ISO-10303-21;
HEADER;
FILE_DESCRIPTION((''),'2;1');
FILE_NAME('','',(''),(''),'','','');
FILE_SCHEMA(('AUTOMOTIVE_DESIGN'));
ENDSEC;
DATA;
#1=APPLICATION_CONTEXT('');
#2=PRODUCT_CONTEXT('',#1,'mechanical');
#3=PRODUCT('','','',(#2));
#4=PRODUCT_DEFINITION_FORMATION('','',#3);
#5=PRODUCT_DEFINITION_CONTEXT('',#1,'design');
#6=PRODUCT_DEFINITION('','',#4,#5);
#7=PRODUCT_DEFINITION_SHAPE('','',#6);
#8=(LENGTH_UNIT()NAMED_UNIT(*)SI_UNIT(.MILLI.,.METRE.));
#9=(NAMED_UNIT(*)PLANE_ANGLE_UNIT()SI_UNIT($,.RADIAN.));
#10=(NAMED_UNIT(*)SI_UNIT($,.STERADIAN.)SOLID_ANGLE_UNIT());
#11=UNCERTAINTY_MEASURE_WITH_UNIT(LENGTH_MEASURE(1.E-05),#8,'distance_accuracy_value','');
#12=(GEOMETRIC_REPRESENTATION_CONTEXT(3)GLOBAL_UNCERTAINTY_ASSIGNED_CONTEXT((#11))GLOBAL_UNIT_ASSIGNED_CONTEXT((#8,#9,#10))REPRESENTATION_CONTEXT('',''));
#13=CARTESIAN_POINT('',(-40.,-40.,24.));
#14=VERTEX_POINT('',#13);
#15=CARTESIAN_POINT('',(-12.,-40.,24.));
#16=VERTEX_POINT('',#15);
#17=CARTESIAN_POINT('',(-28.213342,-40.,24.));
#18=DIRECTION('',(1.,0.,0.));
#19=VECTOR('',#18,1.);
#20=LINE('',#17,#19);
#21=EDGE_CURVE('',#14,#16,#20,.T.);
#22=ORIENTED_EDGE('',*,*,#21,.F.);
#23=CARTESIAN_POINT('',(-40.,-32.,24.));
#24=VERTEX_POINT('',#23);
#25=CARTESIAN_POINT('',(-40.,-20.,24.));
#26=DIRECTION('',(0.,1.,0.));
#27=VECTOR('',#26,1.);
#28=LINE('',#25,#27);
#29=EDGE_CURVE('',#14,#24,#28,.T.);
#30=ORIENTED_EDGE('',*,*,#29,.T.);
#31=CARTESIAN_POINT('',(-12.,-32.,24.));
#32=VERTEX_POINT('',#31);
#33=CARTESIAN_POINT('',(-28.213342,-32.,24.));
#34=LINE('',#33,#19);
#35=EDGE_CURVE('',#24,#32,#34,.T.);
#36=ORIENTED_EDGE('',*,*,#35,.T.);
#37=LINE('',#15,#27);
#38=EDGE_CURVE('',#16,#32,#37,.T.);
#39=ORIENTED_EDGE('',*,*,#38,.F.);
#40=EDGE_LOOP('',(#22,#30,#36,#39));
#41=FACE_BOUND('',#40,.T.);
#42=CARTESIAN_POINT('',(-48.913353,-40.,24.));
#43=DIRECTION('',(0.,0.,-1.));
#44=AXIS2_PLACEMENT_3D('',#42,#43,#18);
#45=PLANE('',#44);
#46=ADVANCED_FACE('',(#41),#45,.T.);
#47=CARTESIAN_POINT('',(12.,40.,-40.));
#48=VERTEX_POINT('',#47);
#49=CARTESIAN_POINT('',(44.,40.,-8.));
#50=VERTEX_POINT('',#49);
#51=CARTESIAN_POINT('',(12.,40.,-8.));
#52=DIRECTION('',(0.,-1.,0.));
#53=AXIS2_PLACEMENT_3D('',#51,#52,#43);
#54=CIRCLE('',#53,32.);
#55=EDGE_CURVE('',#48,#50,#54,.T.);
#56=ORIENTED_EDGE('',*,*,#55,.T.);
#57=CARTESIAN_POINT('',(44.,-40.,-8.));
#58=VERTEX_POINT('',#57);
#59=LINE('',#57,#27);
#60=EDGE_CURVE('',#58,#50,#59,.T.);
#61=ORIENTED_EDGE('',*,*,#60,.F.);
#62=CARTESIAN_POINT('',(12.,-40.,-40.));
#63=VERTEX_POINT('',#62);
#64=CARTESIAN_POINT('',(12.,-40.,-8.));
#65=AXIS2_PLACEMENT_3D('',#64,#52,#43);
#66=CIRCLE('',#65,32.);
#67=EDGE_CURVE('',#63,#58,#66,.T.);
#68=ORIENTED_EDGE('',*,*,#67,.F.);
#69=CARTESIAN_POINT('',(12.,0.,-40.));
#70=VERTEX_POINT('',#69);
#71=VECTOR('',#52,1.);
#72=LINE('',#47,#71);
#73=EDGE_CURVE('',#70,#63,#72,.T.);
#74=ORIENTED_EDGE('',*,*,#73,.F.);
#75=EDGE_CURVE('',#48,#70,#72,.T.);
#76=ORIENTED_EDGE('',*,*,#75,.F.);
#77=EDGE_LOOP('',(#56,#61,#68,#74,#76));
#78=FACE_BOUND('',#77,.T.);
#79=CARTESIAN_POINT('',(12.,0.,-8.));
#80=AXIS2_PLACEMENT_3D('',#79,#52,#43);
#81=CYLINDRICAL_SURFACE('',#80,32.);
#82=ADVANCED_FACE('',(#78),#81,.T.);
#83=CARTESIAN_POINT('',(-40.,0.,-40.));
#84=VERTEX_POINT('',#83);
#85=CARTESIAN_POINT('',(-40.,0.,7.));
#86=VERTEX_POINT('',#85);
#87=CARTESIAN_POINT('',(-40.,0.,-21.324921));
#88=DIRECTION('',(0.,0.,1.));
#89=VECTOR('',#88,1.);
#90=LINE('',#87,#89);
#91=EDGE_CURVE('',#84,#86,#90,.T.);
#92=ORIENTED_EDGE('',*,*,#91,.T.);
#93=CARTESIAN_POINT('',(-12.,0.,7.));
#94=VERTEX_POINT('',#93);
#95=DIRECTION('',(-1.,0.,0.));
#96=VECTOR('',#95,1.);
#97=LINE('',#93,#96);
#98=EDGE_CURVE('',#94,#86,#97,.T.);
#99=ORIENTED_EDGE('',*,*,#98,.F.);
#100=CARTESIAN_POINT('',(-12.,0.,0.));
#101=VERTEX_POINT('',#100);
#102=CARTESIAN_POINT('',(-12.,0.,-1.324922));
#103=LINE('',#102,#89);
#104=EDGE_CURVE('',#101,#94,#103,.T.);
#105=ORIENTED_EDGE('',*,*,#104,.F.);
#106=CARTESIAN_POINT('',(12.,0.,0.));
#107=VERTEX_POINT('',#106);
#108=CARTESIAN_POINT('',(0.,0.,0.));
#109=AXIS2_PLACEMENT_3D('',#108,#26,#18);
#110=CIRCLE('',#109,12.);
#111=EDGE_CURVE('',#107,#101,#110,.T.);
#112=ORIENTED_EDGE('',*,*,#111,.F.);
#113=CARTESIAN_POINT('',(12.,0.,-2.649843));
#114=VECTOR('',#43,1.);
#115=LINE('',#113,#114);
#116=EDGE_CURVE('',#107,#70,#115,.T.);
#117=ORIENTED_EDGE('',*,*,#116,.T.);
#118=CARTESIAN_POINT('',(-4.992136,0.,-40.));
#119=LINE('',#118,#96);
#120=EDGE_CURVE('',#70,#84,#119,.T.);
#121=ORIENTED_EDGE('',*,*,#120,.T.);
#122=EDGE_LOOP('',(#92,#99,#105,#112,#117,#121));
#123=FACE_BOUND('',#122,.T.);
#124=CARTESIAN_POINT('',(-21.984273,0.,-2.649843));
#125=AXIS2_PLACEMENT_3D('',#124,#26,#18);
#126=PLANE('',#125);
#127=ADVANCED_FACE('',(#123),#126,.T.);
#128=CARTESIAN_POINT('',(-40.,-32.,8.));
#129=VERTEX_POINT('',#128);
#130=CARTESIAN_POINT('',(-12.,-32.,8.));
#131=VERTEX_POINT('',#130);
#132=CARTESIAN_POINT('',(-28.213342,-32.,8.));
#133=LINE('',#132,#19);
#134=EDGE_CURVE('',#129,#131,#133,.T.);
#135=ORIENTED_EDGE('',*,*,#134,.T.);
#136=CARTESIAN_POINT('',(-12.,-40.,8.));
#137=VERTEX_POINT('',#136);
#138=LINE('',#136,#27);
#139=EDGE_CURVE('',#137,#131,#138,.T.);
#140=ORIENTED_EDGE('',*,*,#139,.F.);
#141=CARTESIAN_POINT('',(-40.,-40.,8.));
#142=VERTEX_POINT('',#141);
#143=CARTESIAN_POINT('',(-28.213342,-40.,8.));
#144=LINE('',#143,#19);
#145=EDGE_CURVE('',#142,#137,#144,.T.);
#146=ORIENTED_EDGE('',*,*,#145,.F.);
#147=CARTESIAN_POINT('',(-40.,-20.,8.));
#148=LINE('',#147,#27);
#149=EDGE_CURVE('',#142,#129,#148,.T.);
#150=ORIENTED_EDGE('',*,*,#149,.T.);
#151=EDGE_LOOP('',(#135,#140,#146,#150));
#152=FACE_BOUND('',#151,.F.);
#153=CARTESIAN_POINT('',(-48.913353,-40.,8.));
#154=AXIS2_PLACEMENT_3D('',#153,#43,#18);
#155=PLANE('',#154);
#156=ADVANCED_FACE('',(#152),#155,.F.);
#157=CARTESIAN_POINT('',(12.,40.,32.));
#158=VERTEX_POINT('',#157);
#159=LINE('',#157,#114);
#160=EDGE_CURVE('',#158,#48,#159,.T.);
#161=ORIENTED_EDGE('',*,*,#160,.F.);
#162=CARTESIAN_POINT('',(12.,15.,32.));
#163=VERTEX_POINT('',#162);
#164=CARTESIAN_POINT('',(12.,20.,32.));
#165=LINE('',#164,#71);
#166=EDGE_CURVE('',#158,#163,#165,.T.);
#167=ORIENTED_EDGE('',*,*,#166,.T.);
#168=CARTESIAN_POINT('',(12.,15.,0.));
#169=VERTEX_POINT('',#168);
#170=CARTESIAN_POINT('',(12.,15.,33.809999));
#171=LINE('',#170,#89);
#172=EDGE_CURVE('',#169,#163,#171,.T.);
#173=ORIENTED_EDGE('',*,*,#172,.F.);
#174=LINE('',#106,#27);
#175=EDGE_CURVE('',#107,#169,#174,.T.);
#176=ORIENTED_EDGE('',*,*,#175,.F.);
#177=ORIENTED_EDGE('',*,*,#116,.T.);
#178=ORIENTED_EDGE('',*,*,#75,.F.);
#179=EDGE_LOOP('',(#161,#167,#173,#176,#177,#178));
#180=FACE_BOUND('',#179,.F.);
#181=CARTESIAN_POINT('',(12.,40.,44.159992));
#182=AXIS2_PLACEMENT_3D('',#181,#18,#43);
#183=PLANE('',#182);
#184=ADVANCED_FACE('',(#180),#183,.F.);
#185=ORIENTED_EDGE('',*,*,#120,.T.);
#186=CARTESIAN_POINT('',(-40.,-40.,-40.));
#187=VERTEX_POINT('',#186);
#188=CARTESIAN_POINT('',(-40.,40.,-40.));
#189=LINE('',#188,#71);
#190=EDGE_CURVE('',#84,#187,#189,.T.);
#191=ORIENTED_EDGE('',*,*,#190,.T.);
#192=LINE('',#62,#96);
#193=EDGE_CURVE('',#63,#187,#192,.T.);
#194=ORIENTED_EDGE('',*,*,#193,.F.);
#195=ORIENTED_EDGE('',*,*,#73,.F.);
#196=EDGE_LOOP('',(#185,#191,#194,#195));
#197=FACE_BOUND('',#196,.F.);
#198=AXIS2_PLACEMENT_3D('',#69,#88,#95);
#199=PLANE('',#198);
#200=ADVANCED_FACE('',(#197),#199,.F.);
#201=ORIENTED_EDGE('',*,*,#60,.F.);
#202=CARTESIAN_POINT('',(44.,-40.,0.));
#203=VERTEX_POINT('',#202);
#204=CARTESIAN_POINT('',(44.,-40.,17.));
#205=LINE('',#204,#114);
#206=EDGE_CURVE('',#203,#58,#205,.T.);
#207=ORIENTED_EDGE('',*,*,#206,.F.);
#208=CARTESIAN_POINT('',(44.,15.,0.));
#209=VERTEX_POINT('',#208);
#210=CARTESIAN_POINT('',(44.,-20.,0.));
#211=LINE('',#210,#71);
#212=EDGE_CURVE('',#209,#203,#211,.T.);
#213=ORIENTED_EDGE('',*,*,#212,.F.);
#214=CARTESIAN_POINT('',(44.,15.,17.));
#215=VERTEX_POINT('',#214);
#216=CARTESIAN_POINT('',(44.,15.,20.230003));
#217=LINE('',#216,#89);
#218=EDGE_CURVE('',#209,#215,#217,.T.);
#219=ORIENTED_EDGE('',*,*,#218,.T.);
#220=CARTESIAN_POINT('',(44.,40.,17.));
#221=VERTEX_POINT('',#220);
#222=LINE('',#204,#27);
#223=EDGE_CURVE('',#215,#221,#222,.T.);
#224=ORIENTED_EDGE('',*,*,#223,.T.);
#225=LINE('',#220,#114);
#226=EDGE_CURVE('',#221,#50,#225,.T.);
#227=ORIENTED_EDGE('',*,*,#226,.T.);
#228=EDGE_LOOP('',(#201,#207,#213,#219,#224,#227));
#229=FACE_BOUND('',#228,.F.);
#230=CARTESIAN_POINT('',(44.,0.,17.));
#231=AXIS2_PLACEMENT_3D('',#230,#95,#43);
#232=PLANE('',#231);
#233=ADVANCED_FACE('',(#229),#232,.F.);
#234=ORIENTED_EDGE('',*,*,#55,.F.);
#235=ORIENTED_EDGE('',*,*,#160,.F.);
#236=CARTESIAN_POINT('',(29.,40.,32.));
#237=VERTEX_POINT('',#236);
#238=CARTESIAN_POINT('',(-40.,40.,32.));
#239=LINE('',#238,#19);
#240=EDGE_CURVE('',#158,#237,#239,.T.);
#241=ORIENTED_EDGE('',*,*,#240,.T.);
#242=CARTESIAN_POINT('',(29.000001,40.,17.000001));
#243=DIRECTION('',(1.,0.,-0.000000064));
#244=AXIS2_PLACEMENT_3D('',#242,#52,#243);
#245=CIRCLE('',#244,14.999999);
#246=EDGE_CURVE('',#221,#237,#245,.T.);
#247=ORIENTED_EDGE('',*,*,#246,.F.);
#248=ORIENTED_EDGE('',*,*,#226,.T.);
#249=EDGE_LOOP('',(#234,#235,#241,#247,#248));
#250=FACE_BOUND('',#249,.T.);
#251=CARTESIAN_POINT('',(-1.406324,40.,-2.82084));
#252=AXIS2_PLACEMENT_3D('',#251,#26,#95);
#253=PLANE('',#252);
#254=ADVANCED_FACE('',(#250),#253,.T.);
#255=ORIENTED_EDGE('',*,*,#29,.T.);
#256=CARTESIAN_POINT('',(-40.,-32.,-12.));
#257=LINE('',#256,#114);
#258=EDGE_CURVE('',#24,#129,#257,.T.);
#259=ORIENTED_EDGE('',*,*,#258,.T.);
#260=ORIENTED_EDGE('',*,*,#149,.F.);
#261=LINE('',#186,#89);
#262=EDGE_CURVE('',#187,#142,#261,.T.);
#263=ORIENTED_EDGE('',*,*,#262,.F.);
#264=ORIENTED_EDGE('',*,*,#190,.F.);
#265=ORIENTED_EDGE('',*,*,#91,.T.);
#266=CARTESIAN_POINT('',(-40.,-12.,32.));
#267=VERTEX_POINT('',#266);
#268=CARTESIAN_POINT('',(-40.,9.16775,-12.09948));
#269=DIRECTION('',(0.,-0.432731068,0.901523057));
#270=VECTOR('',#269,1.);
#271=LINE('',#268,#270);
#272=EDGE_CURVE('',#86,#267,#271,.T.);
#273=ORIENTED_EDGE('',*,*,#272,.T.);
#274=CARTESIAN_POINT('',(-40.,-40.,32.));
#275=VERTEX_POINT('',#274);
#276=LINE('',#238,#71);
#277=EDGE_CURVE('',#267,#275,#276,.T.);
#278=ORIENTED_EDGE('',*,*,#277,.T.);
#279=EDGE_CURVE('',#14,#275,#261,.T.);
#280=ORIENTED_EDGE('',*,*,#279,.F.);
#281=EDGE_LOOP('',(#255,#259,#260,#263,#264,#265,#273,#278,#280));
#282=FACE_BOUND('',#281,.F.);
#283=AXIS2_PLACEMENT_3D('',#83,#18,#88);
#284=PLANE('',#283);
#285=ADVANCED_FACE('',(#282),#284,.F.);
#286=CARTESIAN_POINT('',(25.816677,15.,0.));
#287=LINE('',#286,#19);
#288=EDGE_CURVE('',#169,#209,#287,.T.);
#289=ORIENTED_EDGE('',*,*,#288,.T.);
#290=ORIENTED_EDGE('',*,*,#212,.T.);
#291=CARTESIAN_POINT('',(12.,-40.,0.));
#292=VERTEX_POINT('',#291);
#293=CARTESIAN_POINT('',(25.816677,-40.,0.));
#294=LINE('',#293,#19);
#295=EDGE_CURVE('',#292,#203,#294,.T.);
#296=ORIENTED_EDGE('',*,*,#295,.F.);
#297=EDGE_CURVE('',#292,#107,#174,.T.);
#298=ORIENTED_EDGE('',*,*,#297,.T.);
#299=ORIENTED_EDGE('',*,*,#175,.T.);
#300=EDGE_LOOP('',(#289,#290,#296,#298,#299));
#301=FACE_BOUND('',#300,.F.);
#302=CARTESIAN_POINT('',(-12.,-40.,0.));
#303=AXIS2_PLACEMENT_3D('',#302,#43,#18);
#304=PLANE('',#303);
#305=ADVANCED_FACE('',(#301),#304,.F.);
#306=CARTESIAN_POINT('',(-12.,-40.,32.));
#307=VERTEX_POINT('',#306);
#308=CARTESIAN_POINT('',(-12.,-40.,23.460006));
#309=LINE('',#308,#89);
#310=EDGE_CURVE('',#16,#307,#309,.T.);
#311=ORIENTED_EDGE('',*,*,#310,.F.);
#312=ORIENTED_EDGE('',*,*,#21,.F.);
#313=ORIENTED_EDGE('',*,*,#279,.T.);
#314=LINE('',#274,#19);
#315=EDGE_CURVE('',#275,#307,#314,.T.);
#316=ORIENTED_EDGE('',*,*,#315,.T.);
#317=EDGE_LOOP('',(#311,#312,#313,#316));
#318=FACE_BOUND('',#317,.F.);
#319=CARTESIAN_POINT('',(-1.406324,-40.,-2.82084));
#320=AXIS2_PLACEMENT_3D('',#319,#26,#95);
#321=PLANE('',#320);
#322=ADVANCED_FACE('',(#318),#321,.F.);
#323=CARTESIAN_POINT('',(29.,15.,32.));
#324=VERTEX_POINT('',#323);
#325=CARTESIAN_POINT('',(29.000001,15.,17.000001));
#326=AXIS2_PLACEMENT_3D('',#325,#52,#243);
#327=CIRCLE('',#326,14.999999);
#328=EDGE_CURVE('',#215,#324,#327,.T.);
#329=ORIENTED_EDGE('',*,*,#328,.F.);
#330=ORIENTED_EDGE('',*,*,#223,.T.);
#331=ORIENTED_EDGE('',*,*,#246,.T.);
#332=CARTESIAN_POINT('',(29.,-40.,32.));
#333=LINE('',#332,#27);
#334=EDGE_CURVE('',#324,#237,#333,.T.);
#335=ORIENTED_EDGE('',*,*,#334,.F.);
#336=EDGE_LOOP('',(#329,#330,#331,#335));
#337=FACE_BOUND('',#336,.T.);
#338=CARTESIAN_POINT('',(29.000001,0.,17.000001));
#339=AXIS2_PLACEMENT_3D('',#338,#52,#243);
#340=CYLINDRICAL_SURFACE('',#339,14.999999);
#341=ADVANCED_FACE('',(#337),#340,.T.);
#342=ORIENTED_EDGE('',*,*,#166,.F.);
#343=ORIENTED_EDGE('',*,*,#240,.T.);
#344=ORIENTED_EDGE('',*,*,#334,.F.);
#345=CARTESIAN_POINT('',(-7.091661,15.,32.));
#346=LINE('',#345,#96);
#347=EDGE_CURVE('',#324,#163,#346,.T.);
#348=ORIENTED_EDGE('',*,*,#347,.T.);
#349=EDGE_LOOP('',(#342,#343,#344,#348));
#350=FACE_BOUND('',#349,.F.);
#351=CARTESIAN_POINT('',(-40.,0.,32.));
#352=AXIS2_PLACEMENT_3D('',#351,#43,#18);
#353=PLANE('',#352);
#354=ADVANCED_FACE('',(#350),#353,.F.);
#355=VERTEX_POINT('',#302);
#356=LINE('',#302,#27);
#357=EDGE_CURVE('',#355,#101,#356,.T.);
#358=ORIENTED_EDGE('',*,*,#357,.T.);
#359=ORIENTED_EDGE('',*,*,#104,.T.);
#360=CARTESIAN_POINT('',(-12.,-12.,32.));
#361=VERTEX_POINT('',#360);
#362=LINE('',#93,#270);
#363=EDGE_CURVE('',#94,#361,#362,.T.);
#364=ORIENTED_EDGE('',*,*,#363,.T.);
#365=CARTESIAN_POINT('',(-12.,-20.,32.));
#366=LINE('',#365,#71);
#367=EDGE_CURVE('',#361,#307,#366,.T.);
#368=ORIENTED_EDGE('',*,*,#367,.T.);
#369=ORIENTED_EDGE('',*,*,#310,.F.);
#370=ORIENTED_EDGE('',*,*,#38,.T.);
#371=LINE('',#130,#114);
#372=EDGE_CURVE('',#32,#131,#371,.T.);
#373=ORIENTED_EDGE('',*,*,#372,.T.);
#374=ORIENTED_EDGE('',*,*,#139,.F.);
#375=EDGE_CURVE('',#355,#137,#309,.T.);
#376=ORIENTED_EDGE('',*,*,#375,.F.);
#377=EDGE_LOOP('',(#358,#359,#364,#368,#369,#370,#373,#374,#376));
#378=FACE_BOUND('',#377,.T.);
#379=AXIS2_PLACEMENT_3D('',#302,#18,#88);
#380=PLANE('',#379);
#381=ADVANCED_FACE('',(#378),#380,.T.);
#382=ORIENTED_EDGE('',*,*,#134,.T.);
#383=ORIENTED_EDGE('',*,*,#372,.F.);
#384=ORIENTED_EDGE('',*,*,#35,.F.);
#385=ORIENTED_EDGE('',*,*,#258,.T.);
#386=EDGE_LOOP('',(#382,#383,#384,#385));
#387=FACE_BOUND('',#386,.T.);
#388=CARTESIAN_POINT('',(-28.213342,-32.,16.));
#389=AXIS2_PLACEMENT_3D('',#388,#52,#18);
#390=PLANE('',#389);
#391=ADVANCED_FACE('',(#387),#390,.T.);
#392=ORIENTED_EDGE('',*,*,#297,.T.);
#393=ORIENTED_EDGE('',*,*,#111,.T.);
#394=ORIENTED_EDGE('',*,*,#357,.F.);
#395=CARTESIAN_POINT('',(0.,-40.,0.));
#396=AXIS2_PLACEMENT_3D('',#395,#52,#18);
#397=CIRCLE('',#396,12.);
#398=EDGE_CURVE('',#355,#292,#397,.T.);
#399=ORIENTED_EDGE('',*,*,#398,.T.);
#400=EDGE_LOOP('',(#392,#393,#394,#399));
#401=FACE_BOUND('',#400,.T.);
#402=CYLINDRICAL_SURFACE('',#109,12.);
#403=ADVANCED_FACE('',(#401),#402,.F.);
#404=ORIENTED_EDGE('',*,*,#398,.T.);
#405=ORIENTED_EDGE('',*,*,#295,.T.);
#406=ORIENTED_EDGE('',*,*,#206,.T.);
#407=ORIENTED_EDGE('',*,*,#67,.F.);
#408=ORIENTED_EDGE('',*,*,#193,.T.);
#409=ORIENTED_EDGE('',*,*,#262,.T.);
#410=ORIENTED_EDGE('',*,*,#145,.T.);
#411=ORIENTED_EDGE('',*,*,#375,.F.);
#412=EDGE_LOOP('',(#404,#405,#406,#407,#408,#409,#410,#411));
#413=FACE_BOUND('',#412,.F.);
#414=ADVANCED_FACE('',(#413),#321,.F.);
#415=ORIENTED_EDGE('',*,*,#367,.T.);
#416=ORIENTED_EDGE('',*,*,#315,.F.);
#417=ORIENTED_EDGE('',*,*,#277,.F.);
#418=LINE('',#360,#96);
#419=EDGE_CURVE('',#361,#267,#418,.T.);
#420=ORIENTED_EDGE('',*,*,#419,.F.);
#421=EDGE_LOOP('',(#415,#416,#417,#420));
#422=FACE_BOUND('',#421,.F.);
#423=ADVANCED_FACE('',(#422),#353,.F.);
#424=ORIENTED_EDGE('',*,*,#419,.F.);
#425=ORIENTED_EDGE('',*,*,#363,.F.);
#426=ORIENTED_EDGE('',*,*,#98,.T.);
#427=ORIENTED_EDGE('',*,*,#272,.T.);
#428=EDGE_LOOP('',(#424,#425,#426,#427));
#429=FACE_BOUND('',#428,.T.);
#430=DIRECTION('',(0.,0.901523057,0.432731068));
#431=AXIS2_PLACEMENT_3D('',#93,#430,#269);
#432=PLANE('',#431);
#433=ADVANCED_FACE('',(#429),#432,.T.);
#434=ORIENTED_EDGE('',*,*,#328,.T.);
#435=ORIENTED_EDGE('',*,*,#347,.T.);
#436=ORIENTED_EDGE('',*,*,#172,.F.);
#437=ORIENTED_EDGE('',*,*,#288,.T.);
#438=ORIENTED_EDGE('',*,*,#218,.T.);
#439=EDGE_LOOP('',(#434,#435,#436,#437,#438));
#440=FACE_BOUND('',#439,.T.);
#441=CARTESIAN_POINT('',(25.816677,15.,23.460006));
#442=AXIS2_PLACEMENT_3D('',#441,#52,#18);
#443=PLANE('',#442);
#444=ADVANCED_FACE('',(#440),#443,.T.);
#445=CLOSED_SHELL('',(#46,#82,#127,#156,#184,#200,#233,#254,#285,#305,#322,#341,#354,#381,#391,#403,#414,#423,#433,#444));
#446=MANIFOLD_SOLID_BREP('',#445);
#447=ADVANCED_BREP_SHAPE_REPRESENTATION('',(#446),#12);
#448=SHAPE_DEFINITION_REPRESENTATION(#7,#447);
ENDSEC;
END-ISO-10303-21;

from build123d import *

# Parameters (mm, degrees)
SKETCH_R        = 12
PAD_DEPTH       = 40
SKETCH001_W     = 75.633354
SKETCH001_H     = 46.920013
POCKET_DEPTH    = 55
SKETCH002_W     = 41.400021
SKETCH002_H     = 16
POCKET001_DEPTH = 8
SKETCH003_W     = 67.968546
SKETCH003_H     = 93.61967
POCKET002_DEPTH = 40
POCKET003_DEPTH = 28.001


with BuildPart() as part:
    # Sketch → Pad (new body, symmetric)
    with BuildSketch(Plane.XZ):
        with BuildLine():
            Line((-40, 32), (29, 32))
            ThreePointArc((44, 17), (39.606602, 27.606602), (29, 32))
            Line((44, 17), (44, -8))
            ThreePointArc((12, -40), (34.627417, -30.627417), (44, -8))
            Line((12, -40), (-40, -40))
            Line((-40, -40), (-40, 32))
        make_face()
        Circle(SKETCH_R, mode=Mode.SUBTRACT)
    extrude(amount=PAD_DEPTH, both=True)

    # Sketch001 → Pocket (cut)
    with BuildSketch(Plane.XZ.offset(40)):
        with Locations((25.816677, 23.460006)):
            Rectangle(SKETCH001_W, SKETCH001_H)
    extrude(amount=-POCKET_DEPTH, mode=Mode.SUBTRACT)

    # Sketch002 → Pocket001 (cut)
    with BuildSketch(Plane.XZ.offset(40)):
        with Locations((-28.213342, 16)):
            Rectangle(SKETCH002_W, SKETCH002_H)
    extrude(amount=-POCKET001_DEPTH, mode=Mode.SUBTRACT)

    # Sketch003 → Pocket002 (cut)
    with BuildSketch(Plane(origin=(0, 40, 0), x_dir=(1, 0, 0), z_dir=(0, 1, 0))):
        with Locations((-21.984273, 2.649843)):
            Rectangle(SKETCH003_W, SKETCH003_H)
    extrude(amount=-POCKET002_DEPTH, mode=Mode.SUBTRACT)

    # Sketch004 → Pocket003 (cut, through all)
    with BuildSketch(Plane(origin=(-12, 0, 0), x_dir=(0, 0, 1), z_dir=(1, 0, 0))):
        Polygon((32, 12), (32, 0), (7, 0), align=None)
    extrude(amount=-POCKET003_DEPTH, mode=Mode.SUBTRACT)


solid = part.part
